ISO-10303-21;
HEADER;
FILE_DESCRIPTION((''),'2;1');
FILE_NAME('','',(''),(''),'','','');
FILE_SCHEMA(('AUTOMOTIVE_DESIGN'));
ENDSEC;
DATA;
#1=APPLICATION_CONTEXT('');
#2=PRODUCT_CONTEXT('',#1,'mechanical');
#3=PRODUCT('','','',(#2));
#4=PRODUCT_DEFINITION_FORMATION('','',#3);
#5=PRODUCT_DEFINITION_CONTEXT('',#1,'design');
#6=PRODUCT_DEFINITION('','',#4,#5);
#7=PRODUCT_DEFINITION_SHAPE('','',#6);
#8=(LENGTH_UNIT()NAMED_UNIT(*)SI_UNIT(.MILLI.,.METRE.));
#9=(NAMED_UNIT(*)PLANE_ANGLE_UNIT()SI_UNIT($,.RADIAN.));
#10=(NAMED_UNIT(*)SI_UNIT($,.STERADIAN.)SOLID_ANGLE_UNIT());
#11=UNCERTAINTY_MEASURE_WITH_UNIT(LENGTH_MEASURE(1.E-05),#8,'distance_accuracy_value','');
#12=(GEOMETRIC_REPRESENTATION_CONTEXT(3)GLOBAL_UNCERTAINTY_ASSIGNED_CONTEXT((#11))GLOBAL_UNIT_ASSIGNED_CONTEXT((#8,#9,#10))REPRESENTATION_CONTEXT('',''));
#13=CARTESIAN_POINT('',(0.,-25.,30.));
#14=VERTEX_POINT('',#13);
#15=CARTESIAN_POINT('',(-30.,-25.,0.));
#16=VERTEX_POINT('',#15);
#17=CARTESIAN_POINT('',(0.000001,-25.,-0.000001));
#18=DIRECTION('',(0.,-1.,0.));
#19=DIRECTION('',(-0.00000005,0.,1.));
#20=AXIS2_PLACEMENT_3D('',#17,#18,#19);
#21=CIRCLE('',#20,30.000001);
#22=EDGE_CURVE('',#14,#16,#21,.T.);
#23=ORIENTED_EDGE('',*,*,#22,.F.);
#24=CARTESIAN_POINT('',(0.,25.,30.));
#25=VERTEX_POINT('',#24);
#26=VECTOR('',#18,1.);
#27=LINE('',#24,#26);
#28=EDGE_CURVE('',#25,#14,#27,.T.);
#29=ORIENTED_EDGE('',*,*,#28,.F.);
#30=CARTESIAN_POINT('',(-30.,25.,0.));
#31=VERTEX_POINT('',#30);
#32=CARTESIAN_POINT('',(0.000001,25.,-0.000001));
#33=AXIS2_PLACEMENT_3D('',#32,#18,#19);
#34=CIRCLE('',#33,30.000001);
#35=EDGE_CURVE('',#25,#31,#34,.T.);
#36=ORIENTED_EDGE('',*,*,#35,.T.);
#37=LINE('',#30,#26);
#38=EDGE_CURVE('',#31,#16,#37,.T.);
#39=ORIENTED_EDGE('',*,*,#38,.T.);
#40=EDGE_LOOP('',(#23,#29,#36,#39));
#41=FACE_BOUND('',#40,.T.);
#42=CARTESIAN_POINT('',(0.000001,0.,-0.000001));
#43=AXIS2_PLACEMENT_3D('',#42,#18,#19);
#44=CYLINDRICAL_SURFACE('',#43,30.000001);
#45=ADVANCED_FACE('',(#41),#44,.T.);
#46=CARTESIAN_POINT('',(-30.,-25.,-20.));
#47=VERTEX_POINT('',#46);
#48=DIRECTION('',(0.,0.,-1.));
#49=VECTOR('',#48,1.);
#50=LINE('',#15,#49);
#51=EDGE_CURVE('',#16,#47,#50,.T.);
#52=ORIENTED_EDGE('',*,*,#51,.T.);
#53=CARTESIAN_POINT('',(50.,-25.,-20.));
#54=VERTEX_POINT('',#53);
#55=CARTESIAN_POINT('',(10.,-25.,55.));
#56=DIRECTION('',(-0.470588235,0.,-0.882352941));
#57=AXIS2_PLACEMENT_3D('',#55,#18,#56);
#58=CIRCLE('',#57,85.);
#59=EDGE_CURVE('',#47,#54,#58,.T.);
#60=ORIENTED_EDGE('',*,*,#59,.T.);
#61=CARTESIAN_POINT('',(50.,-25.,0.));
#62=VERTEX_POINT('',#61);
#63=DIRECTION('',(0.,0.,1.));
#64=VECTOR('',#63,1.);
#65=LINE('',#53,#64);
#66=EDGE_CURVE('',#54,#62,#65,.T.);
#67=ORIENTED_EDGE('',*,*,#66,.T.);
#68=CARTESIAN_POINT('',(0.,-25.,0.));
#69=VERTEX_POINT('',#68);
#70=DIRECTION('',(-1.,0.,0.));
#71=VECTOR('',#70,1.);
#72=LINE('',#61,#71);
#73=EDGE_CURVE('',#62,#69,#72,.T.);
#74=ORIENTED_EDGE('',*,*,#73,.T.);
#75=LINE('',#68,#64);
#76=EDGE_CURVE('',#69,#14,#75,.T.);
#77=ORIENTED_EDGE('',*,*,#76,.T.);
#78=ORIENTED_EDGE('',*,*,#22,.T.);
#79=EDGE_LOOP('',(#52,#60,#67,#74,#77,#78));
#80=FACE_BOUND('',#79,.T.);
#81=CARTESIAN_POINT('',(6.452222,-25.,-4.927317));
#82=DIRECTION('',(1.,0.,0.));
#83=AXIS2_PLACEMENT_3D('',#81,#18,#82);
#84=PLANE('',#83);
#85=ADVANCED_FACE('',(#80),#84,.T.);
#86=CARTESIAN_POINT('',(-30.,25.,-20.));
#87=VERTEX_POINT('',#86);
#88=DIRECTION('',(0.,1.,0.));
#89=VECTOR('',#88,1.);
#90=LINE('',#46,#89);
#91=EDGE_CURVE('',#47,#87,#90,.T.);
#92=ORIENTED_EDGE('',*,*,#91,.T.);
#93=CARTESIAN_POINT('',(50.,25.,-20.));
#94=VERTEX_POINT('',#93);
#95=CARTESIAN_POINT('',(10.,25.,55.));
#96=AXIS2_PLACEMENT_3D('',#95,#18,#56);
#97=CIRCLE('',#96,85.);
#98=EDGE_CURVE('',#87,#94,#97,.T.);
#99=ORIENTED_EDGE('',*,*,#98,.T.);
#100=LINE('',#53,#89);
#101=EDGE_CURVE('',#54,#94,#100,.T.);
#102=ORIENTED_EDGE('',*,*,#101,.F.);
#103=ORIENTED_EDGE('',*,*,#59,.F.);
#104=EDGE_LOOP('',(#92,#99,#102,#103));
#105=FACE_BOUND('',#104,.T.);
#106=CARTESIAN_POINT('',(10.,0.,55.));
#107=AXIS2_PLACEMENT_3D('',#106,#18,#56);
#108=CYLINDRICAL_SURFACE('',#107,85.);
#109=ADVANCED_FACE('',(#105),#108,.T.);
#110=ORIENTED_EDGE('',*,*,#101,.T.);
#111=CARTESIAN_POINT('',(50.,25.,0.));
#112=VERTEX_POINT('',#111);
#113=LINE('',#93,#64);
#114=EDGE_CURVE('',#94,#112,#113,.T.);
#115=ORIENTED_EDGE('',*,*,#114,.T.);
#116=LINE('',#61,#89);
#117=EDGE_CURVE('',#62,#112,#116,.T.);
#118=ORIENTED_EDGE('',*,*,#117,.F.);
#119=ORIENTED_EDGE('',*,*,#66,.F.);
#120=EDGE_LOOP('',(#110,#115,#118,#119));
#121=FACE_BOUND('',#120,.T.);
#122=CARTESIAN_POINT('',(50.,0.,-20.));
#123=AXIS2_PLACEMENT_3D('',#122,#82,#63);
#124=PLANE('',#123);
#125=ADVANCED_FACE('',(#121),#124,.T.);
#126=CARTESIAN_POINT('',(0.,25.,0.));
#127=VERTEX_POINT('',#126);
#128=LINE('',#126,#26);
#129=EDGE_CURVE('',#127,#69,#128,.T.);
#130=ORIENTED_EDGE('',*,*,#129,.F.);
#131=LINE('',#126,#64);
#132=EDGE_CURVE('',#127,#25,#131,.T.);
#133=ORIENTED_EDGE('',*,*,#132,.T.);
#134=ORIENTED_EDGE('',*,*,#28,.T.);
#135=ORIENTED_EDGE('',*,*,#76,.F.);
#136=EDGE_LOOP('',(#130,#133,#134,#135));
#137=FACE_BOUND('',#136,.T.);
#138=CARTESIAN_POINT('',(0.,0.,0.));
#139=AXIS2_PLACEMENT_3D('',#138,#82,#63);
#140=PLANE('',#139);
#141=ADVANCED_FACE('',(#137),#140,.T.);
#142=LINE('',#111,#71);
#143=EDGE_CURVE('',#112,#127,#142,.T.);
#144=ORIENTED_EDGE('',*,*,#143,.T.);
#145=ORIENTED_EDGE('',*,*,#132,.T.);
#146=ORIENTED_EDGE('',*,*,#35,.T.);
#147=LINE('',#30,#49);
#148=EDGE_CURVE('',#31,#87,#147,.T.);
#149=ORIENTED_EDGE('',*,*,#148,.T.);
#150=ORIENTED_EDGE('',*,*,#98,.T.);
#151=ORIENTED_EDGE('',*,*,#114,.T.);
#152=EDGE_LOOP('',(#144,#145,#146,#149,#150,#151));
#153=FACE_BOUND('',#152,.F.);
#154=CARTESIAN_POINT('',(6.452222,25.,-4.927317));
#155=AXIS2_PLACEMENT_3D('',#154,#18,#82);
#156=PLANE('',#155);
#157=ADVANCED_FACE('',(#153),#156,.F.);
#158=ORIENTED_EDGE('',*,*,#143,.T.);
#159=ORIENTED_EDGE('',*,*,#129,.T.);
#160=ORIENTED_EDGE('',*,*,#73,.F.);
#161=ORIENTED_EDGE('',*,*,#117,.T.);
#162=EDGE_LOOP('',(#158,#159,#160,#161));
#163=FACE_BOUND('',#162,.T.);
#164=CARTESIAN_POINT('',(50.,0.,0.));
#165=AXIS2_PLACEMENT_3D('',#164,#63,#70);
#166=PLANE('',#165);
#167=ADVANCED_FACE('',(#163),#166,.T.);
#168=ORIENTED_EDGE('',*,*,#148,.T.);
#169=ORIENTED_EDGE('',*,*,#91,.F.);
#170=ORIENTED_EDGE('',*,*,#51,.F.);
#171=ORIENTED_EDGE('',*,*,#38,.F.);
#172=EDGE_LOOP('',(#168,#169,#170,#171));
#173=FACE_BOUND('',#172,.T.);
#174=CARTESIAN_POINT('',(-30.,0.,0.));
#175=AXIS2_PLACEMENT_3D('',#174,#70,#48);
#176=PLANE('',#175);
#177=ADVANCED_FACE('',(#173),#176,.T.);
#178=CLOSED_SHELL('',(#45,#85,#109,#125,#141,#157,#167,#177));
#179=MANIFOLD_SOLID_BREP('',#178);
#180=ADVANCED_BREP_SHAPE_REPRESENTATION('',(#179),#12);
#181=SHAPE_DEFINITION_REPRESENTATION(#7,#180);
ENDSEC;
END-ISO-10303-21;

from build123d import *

# Parameters (mm, degrees)
F1_DEPTH = 25


with BuildPart() as f1:
    # F0 (on Front) → F1 (new body, symmetric)
    with BuildSketch(Plane.XZ):
        with BuildLine():
            Line((50, 0), (0, 0))
            Line((0, 0), (0, 30))
            ThreePointArc((0, 30), (-21.213203, 21.213203), (-30, 0))
            Line((-30, 0), (-30, -20))
            ThreePointArc((-30, -20), (10, -30), (50, -20))
            Line((50, -20), (50, 0))
        make_face()
    extrude(amount=F1_DEPTH, both=True)


solid = f1.part
